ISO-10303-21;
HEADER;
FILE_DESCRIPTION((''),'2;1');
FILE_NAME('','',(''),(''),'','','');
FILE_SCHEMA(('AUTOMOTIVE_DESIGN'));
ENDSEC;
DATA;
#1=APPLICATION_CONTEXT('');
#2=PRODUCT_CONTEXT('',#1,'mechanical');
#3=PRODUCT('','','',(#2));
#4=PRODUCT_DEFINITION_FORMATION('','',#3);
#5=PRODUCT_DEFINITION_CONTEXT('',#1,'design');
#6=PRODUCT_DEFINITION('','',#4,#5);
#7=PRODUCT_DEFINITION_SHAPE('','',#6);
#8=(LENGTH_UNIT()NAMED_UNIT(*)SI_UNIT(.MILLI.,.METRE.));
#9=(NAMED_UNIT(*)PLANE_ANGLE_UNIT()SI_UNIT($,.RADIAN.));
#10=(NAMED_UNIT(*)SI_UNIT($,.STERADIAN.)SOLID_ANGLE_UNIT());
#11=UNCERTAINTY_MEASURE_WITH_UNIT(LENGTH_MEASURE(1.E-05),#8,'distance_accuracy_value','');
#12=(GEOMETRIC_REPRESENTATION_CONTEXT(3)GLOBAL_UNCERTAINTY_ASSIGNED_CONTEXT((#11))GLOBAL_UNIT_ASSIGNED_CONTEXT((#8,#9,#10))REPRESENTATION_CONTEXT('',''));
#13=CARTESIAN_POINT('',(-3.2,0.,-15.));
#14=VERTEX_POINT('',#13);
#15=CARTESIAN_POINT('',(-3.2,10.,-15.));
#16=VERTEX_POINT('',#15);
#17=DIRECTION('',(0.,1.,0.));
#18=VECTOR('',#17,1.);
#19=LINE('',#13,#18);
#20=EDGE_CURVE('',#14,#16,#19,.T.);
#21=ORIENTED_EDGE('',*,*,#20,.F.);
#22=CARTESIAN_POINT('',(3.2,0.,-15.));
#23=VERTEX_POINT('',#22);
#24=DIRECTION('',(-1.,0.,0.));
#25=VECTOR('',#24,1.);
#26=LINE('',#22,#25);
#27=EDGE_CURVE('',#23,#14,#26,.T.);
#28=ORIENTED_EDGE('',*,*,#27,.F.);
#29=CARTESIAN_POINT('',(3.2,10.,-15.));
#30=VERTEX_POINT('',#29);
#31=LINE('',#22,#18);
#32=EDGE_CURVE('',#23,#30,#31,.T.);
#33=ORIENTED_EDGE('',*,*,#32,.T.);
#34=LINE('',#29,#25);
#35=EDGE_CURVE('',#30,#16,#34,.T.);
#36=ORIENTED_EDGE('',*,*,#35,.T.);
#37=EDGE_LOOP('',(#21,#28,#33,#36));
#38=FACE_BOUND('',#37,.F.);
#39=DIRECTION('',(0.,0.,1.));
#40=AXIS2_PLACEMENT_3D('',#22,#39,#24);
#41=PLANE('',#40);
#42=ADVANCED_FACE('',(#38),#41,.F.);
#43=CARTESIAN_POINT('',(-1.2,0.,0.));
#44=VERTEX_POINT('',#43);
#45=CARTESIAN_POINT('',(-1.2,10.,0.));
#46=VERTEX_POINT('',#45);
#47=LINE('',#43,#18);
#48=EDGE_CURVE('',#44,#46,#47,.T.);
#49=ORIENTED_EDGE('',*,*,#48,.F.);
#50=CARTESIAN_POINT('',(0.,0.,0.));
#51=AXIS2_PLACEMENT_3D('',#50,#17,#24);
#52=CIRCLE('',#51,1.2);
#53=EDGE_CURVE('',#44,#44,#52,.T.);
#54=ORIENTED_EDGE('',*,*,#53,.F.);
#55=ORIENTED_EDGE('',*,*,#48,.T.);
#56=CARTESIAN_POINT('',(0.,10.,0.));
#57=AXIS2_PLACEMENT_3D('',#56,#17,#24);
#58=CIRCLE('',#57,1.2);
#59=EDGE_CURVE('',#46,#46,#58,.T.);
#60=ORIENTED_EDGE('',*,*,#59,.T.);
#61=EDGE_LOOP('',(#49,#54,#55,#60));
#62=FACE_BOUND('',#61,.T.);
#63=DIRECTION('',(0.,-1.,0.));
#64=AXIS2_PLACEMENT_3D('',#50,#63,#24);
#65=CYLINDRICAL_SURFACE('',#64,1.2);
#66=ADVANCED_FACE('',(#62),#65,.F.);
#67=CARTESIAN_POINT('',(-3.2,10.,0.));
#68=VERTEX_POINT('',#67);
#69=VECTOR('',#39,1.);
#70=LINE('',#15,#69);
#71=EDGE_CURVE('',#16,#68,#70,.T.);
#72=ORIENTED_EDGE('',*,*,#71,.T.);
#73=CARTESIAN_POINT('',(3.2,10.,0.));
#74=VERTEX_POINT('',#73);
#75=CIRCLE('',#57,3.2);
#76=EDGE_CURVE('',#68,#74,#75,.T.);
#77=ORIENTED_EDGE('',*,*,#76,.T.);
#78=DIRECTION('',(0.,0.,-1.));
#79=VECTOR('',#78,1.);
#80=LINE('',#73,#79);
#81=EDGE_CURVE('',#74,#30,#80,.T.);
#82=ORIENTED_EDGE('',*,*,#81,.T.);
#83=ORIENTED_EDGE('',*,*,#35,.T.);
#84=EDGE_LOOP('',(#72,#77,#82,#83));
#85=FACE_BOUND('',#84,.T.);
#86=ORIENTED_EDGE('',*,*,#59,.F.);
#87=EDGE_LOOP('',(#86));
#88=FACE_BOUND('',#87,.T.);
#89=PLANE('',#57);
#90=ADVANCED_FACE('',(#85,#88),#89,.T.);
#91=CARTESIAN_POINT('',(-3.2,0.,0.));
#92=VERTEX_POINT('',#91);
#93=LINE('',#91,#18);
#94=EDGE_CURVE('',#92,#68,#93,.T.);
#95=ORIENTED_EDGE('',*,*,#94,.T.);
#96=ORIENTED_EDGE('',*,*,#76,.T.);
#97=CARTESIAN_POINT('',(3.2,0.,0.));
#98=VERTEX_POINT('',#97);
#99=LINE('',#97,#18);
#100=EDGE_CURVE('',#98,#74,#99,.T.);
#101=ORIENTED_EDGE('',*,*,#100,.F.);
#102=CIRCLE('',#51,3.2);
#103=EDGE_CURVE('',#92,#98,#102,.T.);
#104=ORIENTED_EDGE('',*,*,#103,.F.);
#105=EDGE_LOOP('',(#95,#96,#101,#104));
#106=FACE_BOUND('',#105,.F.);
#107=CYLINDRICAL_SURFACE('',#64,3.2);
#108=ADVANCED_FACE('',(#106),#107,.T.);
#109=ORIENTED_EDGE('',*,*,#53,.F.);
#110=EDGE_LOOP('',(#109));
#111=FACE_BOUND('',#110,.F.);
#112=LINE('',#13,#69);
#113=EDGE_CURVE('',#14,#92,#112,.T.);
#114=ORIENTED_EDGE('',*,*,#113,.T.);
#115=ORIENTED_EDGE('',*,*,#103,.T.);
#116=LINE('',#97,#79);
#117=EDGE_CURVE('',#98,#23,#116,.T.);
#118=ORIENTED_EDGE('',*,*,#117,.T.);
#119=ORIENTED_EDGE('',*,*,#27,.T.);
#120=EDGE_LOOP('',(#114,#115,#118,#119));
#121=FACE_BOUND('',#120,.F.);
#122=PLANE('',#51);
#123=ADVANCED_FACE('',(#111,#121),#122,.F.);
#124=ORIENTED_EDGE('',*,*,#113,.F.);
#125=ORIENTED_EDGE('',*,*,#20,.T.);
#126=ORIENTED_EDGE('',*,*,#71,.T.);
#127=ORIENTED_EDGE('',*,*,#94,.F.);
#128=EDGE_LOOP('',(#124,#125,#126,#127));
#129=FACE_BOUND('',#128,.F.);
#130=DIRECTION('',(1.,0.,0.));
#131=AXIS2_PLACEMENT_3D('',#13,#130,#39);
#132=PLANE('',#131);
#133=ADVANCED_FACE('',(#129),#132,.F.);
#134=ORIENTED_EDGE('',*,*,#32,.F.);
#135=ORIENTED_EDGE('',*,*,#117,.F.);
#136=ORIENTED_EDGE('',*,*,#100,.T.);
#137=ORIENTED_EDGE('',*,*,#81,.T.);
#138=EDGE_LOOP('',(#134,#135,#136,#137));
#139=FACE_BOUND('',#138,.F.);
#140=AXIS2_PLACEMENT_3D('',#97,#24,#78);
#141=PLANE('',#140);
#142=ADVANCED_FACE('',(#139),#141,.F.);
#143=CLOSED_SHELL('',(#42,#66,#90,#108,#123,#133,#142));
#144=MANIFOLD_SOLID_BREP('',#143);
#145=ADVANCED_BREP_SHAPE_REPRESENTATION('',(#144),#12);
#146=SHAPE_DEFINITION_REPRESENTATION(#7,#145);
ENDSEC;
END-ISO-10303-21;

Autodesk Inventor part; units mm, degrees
ref_plane "YZ Plane" through (0, 0, 0) normal (1, 0, 0) x (0, 1, 0)
ref_plane "XZ Plane" through (0, 0, 0) normal (0, 1, 0) x (-1, 0, 0)
ref_plane "XY Plane" through (0, 0, 0) normal (0, 0, 1) x (1, 0, 0)
sketch "Sketch1" plane through (0, 0, 0) normal (0, 1, 0) x (-1, 0, 0)
  circle A0 centre (0, 0) radius 1.2
  circle A1 centre (0, 0) radius 3.2
  line L0 (3.2, 0) -> (-3.2, 0) construction
  line L1 (-3.2, 0) -> (-3.2, -15)
  line L2 (-3.2, -15) -> (3.2, -15)
  line L3 (3.2, -15) -> (3.2, 0)
  point P0 (-3.2, 0)
  dimension "d0" = 2.4
  dimension "d1" = 2
  dimension "d2" = 15
extrude "Extrusion1" add sketch "Sketch1" along normal blind 10
properties part number "motor viber"
